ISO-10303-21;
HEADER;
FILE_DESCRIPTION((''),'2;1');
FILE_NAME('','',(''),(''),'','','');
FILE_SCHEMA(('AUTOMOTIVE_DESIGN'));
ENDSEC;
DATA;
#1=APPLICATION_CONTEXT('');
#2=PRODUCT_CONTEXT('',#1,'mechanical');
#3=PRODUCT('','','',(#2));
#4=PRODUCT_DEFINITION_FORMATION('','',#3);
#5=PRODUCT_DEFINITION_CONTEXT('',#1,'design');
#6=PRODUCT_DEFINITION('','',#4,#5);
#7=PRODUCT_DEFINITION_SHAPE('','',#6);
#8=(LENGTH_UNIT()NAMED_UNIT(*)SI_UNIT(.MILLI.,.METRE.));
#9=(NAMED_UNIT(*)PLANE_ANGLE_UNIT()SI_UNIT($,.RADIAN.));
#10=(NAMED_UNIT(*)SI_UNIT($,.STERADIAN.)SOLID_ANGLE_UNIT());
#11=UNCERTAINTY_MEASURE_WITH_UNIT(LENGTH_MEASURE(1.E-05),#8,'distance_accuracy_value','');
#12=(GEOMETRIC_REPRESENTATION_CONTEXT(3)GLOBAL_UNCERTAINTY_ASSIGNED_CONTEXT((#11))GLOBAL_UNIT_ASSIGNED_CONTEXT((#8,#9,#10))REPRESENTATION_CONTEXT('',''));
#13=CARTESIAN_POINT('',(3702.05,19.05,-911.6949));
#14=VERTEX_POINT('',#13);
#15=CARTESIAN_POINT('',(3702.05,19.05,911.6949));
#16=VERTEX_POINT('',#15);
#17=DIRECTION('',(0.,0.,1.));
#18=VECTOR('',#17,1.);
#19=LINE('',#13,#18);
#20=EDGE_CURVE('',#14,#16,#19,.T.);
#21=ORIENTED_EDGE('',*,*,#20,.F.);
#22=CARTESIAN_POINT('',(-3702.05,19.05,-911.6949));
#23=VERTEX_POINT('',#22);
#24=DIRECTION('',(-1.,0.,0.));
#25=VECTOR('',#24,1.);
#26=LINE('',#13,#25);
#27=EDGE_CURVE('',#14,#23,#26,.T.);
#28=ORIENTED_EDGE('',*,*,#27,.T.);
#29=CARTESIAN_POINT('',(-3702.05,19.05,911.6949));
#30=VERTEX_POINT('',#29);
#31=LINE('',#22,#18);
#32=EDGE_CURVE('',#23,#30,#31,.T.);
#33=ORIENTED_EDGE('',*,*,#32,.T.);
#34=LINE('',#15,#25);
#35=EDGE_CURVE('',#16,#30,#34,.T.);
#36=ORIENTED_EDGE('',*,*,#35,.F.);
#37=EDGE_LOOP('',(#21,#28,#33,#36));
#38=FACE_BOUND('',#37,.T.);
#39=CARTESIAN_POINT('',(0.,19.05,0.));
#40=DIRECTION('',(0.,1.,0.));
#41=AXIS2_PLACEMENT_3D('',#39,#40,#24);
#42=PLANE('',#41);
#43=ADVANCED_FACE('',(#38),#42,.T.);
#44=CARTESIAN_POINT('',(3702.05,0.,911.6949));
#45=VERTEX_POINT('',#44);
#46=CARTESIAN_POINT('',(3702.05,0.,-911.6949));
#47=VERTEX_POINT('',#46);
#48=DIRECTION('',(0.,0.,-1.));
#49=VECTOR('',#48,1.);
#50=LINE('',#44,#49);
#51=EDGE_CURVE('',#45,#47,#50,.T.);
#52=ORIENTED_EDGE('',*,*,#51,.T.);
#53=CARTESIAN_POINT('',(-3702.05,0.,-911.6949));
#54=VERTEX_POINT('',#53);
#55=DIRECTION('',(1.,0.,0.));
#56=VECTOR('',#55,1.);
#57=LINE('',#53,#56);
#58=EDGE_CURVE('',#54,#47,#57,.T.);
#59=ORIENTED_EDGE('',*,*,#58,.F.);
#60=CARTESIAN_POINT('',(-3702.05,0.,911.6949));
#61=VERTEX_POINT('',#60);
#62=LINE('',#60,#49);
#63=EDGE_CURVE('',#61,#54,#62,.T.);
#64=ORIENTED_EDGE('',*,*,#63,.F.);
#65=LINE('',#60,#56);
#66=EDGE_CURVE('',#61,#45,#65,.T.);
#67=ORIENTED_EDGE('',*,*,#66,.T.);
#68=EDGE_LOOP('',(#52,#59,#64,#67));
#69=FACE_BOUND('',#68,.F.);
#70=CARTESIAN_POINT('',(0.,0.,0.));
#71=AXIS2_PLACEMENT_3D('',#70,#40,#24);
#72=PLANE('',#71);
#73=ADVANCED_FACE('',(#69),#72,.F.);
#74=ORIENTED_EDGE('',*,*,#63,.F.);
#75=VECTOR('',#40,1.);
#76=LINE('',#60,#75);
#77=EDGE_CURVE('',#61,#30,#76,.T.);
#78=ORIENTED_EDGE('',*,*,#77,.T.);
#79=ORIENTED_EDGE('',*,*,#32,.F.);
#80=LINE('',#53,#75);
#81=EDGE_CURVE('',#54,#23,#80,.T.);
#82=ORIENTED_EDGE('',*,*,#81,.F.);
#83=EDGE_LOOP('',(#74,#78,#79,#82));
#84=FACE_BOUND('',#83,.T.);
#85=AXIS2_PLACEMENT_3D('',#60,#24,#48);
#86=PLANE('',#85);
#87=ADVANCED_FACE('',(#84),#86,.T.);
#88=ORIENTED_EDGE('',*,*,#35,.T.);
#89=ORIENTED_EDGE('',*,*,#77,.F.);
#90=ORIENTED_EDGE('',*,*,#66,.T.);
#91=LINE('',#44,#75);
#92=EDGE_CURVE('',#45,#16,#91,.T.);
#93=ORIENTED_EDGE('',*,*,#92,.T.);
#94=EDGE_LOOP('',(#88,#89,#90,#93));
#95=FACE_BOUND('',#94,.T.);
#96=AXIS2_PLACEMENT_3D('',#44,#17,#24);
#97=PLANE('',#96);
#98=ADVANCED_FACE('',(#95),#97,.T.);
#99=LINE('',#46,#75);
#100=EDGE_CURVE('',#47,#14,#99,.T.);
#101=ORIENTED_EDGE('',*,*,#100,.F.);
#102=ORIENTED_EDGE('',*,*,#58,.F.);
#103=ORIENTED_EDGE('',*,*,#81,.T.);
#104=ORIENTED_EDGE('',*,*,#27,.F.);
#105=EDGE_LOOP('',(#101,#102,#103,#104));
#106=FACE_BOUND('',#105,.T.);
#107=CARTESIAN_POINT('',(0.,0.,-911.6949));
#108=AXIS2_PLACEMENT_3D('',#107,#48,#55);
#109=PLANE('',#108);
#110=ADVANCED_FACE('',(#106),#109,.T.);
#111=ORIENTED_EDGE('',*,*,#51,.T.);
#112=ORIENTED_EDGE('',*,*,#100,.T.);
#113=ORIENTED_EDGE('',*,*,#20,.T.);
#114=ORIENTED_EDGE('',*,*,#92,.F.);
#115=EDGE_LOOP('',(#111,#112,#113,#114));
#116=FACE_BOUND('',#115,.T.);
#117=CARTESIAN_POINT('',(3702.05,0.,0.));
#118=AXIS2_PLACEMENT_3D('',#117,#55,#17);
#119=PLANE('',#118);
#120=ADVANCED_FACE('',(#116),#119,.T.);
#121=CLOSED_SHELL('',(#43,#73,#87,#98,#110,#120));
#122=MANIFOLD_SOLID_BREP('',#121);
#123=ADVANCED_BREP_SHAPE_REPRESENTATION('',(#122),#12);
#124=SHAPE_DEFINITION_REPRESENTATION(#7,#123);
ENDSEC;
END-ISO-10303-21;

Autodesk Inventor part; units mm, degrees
ref_plane "YZ Plane" through (0, 0, 0) normal (1, 0, 0) x (0, 1, 0)
ref_plane "XZ Plane" through (0, 0, 0) normal (0, 1, 0) x (-1, 0, 0)
ref_plane "XY Plane" through (0, 0, 0) normal (0, 0, 1) x (1, 0, 0)
sketch "Sketch1" plane through (0, 0, 0) normal (0, 1, 0) x (-1, 0, 0)
  line L0 (-3702.05, 911.6949) -> (3702.05, 911.6949)
  line L1 (3702.05, 911.6949) -> (3702.05, -911.6949)
  line L2 (3702.05, -911.6949) -> (-3702.05, -911.6949)
  line L3 (-3702.05, -911.6949) -> (-3702.05, 911.6949)
  line L4 (0, -911.6949) -> (0, 911.6949)
  line L5 (-3702.05, 0) -> (3702.05, 0)
  point P0 (0, 0)
  point P1 (0, 0)
  dimension "d2" = 1823.3898
  dimension "d3" = 7404.1
extrude "Extrusion1" add sketch "Sketch1" along normal blind 19.05
properties part number "Second_Ceiling" material "Concrete"
